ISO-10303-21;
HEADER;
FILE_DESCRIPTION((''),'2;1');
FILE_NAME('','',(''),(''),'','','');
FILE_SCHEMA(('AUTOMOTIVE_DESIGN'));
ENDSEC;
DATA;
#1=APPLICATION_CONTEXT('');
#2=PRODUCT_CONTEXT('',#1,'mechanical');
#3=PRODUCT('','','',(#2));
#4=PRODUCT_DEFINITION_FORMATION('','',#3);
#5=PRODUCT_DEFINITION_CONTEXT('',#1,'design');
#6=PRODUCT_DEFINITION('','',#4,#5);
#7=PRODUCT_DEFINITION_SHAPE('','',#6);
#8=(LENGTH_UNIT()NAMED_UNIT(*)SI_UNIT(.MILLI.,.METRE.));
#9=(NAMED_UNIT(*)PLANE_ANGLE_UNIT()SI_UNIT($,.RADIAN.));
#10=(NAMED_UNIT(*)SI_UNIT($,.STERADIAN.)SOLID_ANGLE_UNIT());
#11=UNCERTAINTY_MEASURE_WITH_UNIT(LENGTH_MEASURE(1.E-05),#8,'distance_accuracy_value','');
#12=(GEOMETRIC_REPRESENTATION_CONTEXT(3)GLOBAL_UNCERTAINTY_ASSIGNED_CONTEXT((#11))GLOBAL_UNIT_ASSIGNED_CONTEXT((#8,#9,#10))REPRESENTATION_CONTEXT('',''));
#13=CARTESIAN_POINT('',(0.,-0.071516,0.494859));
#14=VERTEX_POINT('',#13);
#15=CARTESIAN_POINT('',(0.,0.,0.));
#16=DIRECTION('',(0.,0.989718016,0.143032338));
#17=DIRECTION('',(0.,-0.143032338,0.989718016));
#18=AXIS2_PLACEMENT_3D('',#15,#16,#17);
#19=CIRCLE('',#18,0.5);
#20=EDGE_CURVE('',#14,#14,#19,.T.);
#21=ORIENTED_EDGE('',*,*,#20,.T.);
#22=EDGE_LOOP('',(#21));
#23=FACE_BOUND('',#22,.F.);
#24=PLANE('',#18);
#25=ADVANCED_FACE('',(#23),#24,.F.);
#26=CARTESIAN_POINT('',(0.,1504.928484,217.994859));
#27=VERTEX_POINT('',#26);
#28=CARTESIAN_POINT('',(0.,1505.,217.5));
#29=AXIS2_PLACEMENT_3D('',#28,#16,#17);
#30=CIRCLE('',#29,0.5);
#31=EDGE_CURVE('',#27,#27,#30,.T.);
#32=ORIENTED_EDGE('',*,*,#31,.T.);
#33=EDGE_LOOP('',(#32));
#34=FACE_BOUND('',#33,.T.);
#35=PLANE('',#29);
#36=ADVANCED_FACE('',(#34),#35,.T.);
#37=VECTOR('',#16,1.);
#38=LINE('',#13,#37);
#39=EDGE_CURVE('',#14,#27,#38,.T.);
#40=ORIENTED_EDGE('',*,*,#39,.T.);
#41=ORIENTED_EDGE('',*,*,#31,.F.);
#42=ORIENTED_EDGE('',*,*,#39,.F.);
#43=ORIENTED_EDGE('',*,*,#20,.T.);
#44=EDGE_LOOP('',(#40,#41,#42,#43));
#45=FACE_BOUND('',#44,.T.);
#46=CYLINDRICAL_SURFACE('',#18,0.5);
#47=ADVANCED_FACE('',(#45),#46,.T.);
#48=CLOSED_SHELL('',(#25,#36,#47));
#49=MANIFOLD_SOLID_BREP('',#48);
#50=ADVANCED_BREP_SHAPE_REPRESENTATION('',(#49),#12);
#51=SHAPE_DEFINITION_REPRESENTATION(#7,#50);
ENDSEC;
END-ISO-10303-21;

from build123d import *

# Parameters (mm, degrees)
SWEEP_1_PROFILE_R = 0.5


with BuildPart() as part:
    # 扫描1: sweep along a path in 草图3
    with BuildLine(Plane(origin=(0, 0, 0), x_dir=(0, 0, -1), z_dir=(1, 0, 0))) as sweep_1_path:
        Line((0, 0), (-217.5, 1505))
    # 扫描1 profile (on start of the path) → 扫描1 (sweep)
    with BuildSketch(Plane(origin=(0, 0, 0), x_dir=(0, -0.143032338, 0.989718016), z_dir=(0, 0.989718016, 0.143032338))):
        Circle(SWEEP_1_PROFILE_R)
    sweep(path=sweep_1_path.line)


solid = part.part
